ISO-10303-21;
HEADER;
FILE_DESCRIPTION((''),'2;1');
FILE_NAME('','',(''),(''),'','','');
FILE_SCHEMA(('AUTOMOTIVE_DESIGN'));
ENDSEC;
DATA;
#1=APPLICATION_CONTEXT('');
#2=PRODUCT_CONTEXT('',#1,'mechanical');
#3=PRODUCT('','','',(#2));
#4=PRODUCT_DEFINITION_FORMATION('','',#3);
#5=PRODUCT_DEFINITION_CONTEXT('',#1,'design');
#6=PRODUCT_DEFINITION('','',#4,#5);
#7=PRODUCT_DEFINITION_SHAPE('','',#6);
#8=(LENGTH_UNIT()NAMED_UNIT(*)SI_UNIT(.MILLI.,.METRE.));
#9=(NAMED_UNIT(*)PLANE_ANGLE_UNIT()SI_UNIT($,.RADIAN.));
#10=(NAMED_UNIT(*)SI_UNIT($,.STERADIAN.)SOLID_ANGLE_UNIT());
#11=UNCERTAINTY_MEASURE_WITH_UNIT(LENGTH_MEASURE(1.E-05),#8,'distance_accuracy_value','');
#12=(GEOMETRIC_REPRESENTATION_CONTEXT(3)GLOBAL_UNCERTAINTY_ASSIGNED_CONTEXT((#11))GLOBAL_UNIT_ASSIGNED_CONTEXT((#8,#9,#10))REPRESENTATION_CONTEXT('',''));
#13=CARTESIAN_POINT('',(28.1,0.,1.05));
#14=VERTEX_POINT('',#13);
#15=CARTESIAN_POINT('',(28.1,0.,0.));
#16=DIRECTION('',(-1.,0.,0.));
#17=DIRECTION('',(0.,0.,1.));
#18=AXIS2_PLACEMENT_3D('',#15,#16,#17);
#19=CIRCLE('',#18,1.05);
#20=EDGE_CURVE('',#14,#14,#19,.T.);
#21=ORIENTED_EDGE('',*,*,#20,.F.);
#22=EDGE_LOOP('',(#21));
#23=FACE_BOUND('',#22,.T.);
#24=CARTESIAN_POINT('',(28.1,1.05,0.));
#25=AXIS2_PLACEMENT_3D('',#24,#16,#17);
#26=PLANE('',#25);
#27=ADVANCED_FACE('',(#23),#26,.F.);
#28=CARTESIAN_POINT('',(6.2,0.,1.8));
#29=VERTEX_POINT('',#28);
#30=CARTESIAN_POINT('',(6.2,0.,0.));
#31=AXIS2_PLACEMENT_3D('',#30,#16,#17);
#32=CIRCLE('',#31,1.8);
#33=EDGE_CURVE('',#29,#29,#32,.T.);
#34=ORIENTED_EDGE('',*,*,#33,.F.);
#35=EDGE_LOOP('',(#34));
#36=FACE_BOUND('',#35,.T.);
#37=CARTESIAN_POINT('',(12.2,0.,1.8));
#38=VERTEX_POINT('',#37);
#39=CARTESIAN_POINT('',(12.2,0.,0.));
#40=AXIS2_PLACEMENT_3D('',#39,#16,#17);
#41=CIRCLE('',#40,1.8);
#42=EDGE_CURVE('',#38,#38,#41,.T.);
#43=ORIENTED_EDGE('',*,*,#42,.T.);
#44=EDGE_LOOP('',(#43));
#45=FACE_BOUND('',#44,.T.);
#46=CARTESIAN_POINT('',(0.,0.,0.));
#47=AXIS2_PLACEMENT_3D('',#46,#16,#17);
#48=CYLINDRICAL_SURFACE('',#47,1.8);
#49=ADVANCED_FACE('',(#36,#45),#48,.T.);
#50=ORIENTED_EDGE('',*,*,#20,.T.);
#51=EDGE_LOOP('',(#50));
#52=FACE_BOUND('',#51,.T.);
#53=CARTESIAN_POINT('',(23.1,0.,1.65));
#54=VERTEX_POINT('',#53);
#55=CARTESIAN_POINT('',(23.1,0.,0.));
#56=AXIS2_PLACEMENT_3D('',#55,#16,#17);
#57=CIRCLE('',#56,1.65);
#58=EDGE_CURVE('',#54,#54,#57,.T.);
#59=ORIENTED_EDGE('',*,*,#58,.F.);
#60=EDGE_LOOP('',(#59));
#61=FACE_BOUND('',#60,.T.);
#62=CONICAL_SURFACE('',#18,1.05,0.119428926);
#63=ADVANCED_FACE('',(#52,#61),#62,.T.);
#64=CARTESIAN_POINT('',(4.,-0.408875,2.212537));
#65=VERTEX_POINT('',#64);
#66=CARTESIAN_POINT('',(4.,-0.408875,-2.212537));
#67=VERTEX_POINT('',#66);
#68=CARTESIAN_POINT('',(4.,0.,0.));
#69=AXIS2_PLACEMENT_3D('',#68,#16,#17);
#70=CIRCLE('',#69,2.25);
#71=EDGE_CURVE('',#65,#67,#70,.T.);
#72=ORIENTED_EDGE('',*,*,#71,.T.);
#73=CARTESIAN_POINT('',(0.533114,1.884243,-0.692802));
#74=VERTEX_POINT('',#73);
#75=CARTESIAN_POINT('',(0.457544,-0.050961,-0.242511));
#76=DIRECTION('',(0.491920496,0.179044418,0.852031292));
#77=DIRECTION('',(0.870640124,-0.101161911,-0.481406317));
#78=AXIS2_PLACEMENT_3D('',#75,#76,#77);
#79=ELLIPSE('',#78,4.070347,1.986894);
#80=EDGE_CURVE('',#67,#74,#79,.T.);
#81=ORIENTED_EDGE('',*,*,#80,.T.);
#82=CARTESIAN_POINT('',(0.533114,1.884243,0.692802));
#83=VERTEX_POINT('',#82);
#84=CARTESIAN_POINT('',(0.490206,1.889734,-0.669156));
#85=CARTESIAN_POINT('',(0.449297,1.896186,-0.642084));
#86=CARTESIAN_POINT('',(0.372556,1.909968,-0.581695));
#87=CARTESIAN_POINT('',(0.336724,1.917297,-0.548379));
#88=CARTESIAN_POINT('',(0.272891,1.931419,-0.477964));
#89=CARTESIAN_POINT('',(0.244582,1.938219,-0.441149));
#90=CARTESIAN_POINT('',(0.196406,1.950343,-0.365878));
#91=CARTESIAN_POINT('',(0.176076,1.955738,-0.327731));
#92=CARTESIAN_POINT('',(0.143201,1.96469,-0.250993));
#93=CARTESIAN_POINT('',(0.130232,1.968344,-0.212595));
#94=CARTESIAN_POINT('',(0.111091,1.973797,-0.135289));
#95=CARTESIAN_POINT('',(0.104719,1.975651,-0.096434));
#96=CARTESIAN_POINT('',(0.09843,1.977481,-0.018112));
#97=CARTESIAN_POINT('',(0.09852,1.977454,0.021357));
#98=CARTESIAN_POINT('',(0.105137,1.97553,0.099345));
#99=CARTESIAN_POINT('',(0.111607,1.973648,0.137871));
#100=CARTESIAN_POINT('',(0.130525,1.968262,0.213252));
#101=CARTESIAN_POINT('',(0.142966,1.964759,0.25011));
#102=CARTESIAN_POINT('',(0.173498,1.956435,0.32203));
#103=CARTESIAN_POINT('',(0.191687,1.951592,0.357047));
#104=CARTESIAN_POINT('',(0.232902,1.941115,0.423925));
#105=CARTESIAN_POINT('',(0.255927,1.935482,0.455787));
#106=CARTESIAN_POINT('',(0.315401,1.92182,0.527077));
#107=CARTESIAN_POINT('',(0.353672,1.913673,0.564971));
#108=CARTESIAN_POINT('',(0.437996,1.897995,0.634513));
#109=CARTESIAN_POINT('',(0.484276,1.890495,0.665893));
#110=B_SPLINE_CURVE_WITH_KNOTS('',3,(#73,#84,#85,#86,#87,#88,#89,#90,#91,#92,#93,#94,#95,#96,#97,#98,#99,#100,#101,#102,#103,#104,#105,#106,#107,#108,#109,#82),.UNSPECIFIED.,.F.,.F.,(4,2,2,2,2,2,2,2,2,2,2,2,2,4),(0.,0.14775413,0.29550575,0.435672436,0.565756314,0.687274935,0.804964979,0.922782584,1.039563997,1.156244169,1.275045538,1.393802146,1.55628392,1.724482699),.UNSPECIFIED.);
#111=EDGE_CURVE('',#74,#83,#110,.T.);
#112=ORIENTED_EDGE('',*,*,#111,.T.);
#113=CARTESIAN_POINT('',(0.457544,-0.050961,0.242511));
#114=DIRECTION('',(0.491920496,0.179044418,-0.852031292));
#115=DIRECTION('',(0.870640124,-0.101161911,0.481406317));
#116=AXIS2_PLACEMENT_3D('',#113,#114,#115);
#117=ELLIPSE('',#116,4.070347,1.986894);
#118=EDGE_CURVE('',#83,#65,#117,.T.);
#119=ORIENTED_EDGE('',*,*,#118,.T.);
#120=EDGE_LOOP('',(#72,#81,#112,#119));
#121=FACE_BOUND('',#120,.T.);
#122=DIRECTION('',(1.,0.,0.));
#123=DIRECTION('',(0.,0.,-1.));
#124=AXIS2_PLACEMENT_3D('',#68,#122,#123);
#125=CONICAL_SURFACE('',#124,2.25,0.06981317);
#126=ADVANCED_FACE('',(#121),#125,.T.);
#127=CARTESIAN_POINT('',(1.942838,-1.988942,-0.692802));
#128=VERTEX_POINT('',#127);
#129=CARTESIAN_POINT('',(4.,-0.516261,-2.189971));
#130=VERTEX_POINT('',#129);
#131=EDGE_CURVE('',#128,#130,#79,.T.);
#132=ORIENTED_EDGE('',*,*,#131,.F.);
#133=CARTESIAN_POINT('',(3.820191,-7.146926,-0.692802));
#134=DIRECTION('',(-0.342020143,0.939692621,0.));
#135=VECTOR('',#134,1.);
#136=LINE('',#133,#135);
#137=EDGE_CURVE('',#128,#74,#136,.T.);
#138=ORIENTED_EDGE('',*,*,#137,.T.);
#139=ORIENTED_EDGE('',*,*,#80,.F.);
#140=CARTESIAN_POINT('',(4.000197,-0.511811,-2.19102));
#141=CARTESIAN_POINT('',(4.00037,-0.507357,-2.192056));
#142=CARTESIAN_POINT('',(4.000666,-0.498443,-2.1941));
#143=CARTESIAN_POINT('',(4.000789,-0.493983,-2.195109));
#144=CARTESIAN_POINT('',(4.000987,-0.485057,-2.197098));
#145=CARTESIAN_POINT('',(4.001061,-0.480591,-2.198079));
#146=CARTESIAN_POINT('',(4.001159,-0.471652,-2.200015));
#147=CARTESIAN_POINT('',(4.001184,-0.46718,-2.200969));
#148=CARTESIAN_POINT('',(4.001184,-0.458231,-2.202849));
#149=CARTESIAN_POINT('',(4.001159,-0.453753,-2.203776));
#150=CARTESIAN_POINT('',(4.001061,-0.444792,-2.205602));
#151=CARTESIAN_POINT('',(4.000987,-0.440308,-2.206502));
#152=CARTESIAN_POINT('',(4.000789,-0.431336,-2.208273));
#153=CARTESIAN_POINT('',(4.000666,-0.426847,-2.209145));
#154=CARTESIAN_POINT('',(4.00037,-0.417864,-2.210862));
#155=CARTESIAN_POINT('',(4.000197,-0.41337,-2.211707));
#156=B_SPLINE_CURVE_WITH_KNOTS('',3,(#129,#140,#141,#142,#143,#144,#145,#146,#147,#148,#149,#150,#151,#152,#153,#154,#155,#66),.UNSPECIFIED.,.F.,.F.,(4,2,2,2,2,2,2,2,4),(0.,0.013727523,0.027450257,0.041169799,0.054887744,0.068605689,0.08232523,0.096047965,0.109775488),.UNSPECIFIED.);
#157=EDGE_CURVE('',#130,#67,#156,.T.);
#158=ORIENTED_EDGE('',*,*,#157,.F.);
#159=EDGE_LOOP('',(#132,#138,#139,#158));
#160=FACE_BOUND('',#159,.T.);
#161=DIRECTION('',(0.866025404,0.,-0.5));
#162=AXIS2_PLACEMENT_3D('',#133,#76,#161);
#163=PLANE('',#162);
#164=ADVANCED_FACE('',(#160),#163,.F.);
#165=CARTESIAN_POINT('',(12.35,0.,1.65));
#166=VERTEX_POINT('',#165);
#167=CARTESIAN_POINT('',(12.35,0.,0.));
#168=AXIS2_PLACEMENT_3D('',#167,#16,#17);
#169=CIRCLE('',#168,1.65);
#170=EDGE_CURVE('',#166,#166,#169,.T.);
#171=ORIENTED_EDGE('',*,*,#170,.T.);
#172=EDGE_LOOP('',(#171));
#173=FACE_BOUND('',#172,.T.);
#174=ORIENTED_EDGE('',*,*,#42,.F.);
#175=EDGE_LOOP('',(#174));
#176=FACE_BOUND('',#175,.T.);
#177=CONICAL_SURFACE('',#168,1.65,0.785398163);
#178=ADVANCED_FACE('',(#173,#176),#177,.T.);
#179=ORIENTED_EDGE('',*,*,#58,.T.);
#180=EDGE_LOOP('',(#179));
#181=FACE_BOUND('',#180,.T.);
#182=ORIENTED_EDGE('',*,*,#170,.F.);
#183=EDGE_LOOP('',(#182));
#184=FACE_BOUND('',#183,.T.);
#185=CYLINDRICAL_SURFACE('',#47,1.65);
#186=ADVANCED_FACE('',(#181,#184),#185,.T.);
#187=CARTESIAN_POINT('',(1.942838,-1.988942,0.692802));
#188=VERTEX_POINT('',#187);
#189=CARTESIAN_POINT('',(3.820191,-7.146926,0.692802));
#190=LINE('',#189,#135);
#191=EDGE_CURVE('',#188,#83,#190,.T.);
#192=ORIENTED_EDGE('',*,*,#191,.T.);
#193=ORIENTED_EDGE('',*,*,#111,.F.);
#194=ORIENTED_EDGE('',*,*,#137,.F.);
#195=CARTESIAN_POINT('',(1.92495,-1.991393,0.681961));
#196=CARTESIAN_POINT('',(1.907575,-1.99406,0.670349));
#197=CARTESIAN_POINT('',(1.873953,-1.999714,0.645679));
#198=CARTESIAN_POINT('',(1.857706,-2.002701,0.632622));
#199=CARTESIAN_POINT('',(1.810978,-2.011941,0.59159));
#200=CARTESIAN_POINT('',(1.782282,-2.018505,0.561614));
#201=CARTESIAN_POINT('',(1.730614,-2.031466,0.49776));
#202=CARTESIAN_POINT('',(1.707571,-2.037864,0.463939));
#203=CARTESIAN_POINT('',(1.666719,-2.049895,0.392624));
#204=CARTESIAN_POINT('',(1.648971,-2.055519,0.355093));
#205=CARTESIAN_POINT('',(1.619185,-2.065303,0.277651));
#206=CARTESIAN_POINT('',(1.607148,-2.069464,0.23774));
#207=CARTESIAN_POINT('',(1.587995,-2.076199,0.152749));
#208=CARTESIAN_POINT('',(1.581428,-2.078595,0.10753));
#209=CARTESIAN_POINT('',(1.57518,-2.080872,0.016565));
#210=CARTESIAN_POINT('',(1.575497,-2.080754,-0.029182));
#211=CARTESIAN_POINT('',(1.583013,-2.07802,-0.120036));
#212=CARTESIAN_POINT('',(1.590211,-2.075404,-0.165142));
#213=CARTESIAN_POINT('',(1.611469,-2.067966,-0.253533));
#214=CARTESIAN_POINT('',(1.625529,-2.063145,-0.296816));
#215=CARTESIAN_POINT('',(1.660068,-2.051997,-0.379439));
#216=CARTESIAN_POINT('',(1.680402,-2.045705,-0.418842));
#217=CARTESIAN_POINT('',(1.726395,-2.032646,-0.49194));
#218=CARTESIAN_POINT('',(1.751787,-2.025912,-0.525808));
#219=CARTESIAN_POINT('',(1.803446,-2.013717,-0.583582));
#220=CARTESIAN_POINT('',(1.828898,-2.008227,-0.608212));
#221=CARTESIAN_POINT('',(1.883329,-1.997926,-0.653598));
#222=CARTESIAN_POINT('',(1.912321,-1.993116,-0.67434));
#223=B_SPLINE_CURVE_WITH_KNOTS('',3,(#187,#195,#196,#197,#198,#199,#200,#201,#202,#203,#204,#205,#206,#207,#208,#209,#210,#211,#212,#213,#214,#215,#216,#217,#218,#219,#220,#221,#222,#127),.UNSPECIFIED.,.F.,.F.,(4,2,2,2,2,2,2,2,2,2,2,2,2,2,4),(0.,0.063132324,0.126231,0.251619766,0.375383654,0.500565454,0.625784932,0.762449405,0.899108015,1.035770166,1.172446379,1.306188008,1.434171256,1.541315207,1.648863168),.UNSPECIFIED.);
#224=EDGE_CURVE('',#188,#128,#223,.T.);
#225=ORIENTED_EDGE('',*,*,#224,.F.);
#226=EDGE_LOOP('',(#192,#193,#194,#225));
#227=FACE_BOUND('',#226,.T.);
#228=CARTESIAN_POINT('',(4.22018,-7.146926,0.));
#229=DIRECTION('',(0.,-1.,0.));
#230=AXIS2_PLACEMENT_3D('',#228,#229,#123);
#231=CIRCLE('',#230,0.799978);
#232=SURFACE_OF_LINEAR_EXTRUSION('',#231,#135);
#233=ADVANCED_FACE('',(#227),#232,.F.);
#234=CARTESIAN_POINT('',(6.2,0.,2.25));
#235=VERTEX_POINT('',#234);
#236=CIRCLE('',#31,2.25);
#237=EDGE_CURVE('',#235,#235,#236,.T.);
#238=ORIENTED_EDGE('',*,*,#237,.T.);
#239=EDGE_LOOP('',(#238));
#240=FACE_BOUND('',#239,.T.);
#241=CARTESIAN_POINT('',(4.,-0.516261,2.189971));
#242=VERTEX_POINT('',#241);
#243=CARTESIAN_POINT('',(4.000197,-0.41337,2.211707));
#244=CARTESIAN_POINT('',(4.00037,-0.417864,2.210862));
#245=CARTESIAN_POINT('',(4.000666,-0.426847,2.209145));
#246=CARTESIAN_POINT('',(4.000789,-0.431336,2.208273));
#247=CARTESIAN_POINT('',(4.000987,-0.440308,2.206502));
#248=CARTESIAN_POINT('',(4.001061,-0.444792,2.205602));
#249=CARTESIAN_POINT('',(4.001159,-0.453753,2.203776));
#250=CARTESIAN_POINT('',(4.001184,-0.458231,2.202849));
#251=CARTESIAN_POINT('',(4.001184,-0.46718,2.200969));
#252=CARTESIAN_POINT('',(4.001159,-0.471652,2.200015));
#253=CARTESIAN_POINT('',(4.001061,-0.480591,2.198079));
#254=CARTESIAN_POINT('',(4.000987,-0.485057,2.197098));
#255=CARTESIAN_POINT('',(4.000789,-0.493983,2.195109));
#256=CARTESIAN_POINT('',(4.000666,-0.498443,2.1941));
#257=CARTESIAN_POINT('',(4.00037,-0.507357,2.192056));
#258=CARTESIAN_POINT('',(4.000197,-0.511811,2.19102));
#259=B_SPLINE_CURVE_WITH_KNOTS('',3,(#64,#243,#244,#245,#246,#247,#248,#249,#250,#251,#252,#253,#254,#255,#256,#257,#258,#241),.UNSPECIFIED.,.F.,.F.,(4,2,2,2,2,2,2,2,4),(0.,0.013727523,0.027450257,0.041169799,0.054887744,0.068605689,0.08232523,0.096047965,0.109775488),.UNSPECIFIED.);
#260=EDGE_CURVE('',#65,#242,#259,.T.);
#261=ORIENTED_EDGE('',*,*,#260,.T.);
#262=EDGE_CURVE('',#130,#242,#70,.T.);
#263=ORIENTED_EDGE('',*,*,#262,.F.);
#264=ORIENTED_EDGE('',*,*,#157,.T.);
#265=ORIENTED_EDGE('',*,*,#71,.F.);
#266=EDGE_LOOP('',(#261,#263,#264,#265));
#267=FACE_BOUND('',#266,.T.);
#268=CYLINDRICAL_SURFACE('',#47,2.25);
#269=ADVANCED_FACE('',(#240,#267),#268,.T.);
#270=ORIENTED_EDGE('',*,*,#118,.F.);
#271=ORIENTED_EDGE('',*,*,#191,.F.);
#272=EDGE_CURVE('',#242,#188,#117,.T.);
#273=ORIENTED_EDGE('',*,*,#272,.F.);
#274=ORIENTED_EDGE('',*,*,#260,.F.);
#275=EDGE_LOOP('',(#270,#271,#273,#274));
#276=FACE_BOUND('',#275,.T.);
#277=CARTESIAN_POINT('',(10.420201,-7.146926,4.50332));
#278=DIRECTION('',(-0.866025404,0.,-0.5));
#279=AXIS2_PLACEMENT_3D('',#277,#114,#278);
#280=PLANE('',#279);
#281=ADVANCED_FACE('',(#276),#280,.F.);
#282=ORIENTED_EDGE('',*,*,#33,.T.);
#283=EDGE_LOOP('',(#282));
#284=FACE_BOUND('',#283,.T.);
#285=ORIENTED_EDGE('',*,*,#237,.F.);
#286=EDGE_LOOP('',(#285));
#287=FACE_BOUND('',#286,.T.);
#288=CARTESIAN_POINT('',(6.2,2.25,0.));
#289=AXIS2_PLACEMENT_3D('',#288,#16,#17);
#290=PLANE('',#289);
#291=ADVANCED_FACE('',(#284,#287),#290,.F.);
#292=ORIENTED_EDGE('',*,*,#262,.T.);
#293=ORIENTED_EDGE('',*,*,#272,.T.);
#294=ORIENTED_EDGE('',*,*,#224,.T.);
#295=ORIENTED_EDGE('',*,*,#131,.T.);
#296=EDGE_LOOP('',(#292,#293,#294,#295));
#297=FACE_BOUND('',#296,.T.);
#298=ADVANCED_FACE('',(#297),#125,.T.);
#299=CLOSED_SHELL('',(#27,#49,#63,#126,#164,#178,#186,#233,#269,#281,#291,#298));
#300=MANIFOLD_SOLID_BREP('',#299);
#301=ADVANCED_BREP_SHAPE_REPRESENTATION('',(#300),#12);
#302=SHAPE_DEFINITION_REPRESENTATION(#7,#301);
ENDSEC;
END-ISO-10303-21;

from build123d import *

# Parameters (mm, degrees)
CORTE_EXTRUS_O2_DEPTH = 5
CORTE_EXTRUS_O1_DEPTH = 10


with BuildPart() as part:
    # Esboço1 → Revolução1 (revolve)
    with BuildSketch(Plane.XY, mode=Mode.PRIVATE) as revolu_o1_sk:
        Polygon((6.2, 2.25), (6.2, 1.8), (12.2, 1.8), (12.35, 1.65), (23.1, 1.65), (28.1, 1.05), (28.1, 0), (0, 0), (0, 1.970292752), (4, 2.25), (4.7, 2.25), align=None)
    revolve(revolu_o1_sk.sketch.rotate(Axis((0, 0, 0), (1, 0, 0)), 90), axis=Axis((0, 0, 0), (1, 0, 0)))

    # Esboço2 → Corte-extrusão2 (cut, symmetric)
    with BuildSketch(Plane.XY):
        Polygon((0, 1.970292752), (1.471712801, -2.073204936), (2.326234143, -4.420983029), (-0.931248246, -4.420983029), (-0.931248246, 3.056454726), (-0.395330628, 3.056454726), align=None)
    extrude(amount=CORTE_EXTRUS_O2_DEPTH, both=True, mode=Mode.SUBTRACT)

    # Esboço3 → Corte-extrusão1 (cut, along a direction that is not the sketch's normal)
    with BuildSketch(Plane(origin=(3.863561719, 2.25, 0), x_dir=(0, 0, -1), z_dir=(0, 1, 0))):
        with BuildLine():
            Line((-4.503319596, -3.136438281), (-0.692801568, 3.463572547))
            ThreePointArc((-0.692801568, 3.463572547), (0, 3.863561719), (0.692801568, 3.463572547))
            Line((0.692801568, 3.463572547), (4.503319596, -3.136438281))
            ThreePointArc((4.503319596, -3.136438281), (0, 13.670179255), (-4.503319596, -3.136438281))
        make_face()
    extrude(amount=-CORTE_EXTRUS_O1_DEPTH, dir=(-0.3420201433256694, 0.9396926207859082, 0), mode=Mode.SUBTRACT)


solid = part.part
